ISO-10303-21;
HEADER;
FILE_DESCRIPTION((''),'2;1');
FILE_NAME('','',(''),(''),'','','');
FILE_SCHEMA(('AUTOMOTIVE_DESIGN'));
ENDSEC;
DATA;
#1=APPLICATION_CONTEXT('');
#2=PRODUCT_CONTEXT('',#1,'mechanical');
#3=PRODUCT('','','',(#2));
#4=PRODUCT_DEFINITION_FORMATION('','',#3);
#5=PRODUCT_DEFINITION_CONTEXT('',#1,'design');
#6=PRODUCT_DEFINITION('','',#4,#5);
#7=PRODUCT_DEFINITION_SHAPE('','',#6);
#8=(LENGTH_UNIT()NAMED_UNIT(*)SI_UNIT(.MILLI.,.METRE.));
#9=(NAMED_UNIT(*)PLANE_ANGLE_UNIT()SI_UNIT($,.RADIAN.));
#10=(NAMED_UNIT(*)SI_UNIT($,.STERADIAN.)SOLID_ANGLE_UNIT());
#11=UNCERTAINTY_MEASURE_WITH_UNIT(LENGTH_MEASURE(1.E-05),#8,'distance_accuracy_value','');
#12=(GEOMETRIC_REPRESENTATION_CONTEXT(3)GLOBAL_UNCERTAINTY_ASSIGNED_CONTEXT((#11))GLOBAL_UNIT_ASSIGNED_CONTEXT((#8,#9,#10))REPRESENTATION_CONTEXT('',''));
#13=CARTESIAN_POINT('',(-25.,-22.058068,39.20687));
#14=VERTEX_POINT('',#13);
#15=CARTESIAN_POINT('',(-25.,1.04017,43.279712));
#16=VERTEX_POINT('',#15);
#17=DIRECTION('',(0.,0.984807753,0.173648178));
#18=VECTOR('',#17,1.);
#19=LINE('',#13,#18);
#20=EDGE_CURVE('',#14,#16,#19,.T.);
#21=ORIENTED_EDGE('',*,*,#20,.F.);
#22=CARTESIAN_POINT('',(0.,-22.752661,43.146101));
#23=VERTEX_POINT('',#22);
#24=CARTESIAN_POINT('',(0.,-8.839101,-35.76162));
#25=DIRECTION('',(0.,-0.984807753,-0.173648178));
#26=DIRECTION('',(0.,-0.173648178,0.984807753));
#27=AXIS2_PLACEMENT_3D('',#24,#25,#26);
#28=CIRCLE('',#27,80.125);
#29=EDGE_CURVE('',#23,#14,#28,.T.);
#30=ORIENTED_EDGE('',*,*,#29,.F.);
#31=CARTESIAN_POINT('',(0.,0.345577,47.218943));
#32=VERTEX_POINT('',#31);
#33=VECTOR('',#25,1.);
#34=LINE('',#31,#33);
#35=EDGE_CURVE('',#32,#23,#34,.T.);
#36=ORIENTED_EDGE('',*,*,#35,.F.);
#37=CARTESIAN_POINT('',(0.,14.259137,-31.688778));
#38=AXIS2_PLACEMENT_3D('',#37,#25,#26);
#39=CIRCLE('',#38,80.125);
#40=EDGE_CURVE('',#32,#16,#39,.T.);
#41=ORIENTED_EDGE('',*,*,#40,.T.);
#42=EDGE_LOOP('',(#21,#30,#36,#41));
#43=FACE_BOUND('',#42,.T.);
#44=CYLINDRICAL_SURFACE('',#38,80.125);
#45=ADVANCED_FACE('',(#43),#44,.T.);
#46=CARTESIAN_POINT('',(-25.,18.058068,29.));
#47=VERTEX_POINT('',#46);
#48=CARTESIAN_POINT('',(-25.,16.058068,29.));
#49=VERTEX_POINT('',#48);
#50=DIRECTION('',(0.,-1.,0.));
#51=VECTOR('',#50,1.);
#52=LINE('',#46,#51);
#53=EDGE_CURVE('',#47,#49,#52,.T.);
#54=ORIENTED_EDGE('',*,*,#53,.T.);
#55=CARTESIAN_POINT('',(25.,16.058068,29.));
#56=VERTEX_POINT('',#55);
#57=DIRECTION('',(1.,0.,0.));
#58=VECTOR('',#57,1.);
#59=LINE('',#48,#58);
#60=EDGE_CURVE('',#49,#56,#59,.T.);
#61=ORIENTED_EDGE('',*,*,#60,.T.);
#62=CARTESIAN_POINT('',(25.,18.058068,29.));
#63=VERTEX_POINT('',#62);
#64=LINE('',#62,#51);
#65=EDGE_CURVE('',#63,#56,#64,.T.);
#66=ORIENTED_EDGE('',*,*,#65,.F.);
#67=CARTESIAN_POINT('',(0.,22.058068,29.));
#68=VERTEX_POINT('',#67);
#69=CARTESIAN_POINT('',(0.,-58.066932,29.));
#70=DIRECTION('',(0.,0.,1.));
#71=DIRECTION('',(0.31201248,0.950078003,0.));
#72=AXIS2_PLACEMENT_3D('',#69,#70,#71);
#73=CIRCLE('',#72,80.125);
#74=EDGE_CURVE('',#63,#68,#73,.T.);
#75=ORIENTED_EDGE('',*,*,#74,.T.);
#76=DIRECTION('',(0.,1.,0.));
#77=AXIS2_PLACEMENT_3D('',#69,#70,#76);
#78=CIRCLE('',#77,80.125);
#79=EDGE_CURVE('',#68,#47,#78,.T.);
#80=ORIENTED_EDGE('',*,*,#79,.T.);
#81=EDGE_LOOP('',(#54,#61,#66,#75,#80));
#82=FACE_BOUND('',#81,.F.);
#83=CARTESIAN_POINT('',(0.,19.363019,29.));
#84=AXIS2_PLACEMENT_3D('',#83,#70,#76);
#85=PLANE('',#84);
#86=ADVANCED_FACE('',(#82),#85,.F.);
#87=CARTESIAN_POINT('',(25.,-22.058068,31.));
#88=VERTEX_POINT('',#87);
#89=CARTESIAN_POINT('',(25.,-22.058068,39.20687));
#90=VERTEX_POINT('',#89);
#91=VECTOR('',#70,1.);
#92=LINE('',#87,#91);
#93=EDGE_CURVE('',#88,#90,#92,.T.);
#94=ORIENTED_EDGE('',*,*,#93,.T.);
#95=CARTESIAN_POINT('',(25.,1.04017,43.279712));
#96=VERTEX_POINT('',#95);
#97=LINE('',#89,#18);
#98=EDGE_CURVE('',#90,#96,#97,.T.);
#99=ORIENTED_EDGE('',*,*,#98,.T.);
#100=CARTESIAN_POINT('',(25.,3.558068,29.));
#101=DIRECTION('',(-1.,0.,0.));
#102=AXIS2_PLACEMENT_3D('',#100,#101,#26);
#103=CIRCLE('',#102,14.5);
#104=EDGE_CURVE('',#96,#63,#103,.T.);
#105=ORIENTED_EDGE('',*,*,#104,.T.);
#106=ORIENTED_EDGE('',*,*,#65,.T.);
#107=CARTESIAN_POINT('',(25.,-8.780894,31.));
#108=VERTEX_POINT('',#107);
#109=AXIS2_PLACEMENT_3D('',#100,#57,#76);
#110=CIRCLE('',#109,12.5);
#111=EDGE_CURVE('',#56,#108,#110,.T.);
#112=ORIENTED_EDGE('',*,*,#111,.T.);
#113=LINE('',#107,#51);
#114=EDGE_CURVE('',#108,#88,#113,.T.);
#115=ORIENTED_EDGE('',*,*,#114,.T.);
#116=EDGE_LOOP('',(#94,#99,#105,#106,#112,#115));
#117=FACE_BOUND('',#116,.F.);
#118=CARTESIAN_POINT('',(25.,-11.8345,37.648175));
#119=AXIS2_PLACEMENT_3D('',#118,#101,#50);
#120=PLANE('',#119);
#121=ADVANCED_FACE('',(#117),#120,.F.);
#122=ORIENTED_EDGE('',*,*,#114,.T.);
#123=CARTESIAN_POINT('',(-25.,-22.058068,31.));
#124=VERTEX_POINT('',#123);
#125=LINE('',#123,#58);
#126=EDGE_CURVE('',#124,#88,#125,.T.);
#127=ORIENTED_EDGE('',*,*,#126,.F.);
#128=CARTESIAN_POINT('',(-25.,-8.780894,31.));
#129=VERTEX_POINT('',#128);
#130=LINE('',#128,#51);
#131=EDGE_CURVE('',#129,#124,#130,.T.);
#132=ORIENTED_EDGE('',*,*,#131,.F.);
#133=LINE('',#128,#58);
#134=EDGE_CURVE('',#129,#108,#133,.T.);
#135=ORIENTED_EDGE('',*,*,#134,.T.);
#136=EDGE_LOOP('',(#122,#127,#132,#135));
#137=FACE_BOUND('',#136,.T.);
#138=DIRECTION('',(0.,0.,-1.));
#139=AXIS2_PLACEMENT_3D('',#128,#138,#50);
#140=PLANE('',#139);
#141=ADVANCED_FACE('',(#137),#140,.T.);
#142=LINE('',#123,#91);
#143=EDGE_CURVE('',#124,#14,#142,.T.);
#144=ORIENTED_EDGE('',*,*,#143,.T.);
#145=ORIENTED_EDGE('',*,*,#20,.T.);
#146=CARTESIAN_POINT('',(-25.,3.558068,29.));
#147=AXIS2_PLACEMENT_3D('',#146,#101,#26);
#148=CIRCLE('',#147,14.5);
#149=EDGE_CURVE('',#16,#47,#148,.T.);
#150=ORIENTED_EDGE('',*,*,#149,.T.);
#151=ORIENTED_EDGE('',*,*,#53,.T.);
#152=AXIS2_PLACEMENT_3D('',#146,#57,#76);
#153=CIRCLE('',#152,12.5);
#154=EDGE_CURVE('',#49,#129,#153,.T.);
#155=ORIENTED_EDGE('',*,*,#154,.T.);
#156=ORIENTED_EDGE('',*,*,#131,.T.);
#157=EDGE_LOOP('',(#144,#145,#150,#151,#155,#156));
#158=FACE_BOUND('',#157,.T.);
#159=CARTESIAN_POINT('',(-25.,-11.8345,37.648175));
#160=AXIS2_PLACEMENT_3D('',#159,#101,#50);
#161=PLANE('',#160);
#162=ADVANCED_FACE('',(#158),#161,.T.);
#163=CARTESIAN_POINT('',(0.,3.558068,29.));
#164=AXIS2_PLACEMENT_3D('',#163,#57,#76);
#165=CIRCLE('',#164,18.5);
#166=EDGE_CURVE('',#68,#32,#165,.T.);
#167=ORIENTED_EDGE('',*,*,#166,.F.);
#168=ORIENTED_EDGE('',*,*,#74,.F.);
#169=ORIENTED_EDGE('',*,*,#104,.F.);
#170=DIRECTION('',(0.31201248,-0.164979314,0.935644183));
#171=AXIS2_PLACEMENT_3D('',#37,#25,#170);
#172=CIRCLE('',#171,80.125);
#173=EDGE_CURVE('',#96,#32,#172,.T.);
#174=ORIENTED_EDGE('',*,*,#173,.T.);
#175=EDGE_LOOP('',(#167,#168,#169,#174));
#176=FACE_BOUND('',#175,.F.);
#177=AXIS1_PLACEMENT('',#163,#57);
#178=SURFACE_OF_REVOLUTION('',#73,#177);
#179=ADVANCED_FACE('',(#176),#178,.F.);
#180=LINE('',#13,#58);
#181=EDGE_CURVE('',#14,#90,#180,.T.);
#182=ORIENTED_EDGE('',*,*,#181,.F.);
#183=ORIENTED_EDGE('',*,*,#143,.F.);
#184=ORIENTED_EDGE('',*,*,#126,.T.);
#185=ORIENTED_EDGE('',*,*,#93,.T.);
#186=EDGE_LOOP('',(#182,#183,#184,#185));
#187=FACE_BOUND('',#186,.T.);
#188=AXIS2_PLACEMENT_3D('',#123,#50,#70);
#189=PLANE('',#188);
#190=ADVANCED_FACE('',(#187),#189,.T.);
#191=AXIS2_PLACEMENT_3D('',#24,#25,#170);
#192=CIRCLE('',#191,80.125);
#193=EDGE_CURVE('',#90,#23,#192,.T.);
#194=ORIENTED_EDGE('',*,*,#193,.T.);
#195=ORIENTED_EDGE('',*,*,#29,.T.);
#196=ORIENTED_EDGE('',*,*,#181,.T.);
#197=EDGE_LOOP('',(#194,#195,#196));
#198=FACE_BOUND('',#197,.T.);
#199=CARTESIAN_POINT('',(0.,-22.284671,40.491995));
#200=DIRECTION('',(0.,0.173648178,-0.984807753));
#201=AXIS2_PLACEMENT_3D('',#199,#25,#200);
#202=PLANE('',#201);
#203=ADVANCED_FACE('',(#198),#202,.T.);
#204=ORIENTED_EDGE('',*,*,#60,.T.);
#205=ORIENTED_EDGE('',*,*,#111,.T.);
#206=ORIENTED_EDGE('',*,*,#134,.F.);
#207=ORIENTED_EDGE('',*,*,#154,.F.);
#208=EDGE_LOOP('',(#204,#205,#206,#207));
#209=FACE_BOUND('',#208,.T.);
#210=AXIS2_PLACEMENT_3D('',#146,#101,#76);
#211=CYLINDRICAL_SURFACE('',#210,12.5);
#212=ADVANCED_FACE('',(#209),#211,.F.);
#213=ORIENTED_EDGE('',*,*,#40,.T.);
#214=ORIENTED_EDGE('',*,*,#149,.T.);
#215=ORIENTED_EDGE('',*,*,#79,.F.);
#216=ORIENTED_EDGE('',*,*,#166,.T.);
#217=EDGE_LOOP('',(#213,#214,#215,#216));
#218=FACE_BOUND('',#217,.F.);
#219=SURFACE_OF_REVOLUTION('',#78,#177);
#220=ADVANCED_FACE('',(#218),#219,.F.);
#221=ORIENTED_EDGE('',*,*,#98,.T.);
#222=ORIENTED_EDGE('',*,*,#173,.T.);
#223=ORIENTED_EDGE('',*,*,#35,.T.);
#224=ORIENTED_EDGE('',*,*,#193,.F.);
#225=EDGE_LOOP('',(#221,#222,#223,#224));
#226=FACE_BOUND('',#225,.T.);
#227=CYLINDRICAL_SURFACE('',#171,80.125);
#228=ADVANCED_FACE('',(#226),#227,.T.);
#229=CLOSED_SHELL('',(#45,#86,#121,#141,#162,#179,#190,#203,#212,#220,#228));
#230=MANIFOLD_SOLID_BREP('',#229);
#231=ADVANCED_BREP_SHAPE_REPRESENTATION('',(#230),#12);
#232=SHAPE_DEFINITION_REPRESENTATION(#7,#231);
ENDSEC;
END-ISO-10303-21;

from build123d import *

# Parameters (mm, degrees)
F5_DEPTH = 50


with BuildPart() as f5:
    # F4 (on 3pt) → F5 (new body)
    with BuildSketch(Plane(origin=(-25, 0, 0), x_dir=(0, -1, 0), z_dir=(-1, 0, 0))):
        with BuildLine():
            ThreePointArc((-1.0401698304, 43.2797124187), (6.8786729535, 39.066003665), (10.8033382098, 31))
            Line((10.8033382098, 31), (22.0580684066, 31))
            Line((22.0580684066, 31), (22.0580684066, 39.2068698107))
            Line((22.0580684066, 39.2068698107), (-1.0401698304, 43.2797124187))
        make_face()
        with BuildLine():
            Line((8.7808942727, 31), (10.8033382098, 31))
            ThreePointArc((10.8033382098, 31), (6.8786729535, 39.066003665), (-1.0401698304, 43.2797124187))
            ThreePointArc((-1.0401698304, 43.2797124187), (-12.878488747, 40.1076444252), (-18.0580684066, 29))
            Line((-18.0580684066, 29), (-16.0580684066, 29))
            ThreePointArc((-16.0580684066, 29), (-4.5613047968, 41.4596756276), (8.7808942727, 31))
        make_face()
    extrude(amount=-F5_DEPTH)

    # F6: sweep along a path in F6_path
    with BuildLine(Plane(origin=(25, 18.0580684066, 29), x_dir=(0, 1, 0), z_dir=(-1, 0, 0))) as f6_path:
        ThreePointArc((0, 0), (-5.1795796595, -11.1076444252), (-17.0178985762, -14.2797124187))
        Line((-17.0178985762, -14.2797124187), (-40.1161368131, -10.2068698107))
    # F2 (on offset) → F6 (sweep)
    with BuildSketch(Plane.XY.offset(29)):
        with BuildLine():
            ThreePointArc((25, 18.0580684066), (12.6589889012, 21.0517490389), (0, 22.0580684066))
            ThreePointArc((0, 22.0580684066), (-12.6589889012, 21.0517490389), (-25, 18.0580684066))
            Line((-25, 18.0580684066), (25, 18.0580684066))
        make_face()
    sweep(path=f6_path.line)


solid = f5.part
